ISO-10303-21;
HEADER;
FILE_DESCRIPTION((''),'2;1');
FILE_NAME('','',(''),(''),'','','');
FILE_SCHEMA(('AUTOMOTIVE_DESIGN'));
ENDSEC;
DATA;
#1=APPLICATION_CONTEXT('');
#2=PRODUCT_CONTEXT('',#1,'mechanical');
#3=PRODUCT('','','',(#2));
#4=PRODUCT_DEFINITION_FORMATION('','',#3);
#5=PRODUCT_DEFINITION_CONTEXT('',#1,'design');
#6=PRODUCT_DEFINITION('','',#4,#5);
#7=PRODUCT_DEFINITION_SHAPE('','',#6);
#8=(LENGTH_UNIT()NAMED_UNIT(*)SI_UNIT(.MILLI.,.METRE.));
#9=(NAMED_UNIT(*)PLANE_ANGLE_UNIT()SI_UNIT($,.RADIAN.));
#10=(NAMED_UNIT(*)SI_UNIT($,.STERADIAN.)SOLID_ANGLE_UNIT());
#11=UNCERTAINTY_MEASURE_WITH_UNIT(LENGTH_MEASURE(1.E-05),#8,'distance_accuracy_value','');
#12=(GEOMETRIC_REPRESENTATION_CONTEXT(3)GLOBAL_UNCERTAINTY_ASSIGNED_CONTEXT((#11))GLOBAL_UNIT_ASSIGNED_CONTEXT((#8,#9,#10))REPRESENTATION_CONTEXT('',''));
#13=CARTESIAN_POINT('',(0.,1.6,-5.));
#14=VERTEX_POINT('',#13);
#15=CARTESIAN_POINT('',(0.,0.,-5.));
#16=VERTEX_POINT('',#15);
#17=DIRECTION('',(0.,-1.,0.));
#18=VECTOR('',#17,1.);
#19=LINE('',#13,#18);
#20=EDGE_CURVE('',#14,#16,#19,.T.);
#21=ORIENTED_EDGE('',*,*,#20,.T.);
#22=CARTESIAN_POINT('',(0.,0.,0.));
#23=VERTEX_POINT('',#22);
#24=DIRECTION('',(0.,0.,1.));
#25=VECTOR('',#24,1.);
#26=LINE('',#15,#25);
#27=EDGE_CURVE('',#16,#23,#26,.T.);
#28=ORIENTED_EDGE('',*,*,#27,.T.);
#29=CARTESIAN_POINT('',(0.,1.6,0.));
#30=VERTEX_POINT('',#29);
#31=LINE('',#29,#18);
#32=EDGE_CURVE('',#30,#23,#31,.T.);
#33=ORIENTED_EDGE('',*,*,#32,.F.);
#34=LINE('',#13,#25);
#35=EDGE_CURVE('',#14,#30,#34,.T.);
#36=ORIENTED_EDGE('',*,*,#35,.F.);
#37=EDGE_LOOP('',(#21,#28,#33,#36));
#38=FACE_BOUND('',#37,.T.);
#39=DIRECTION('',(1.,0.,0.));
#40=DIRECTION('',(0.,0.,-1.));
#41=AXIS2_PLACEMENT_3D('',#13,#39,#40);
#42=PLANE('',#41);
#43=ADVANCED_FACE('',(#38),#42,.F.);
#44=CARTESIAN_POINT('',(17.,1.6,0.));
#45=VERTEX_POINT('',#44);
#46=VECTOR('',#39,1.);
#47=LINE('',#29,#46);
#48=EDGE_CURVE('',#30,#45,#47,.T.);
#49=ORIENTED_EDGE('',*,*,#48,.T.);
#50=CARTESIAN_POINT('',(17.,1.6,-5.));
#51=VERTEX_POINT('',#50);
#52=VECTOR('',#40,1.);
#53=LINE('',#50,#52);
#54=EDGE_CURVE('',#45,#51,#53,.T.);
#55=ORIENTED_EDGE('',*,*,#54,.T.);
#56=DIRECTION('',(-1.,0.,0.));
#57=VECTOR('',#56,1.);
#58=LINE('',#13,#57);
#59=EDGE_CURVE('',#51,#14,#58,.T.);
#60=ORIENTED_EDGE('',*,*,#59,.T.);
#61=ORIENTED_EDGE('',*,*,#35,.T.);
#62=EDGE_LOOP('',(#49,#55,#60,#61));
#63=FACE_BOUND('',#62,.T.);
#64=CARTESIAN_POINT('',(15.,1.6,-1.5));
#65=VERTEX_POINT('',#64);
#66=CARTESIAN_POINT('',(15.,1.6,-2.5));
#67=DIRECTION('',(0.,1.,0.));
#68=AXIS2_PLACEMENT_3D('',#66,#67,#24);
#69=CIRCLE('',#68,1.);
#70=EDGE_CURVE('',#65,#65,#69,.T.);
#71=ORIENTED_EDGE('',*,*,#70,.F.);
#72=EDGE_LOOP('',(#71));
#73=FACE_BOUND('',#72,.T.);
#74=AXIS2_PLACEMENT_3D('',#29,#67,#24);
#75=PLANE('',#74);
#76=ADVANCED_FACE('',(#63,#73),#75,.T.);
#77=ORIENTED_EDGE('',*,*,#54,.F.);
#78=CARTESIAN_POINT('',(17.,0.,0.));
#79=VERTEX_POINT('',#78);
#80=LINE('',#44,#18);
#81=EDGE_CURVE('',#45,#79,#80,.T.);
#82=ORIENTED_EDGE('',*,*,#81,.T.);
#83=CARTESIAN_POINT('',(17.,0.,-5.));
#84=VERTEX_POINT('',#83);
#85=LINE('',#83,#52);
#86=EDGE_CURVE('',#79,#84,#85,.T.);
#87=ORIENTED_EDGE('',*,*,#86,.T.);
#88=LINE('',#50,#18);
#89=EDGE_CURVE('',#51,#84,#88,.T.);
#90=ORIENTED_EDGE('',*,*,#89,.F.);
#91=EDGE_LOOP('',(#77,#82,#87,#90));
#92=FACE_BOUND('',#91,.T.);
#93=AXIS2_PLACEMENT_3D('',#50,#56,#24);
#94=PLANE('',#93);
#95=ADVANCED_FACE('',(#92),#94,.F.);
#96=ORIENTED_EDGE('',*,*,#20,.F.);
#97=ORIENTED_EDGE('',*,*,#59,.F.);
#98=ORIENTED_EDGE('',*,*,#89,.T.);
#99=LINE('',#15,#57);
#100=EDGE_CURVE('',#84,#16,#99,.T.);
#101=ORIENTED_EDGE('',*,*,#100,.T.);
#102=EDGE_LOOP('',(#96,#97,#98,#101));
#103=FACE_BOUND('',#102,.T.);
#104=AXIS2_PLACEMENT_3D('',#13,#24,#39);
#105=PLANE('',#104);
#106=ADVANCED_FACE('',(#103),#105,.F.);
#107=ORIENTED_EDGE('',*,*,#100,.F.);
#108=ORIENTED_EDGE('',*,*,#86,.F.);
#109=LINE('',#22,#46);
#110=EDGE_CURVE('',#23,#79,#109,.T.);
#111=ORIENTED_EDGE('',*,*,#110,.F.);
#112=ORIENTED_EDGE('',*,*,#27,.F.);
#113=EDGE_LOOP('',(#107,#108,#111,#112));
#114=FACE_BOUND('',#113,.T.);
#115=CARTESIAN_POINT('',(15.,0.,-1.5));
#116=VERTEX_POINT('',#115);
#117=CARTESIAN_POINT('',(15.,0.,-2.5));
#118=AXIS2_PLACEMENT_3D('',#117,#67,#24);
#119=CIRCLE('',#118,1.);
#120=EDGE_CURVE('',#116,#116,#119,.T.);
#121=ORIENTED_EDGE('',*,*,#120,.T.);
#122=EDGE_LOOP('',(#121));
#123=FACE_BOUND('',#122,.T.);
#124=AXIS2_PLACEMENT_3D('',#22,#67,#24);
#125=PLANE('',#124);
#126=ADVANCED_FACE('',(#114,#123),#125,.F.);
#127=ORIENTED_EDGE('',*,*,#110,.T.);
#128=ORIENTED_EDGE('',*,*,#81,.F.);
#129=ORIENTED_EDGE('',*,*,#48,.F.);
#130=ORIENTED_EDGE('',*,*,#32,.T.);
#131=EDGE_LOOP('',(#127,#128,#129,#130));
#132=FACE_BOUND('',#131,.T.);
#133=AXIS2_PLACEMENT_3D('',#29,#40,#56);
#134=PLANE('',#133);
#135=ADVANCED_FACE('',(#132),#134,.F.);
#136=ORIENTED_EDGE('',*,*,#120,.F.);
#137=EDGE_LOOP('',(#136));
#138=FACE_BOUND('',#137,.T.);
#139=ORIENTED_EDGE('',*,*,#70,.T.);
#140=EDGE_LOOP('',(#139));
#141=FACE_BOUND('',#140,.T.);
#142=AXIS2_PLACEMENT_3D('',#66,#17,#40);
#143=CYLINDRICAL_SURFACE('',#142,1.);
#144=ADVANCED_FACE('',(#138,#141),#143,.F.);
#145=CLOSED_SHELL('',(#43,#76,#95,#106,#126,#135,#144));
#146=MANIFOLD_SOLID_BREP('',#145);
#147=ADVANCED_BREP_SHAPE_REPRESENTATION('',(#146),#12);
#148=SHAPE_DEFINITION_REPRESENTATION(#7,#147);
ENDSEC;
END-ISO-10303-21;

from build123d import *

# Parameters (mm, degrees)
ESQUISSE1_W        = 17
ESQUISSE1_H        = 5
ESQUISSE1_R        = 1
BOSS_EXTRU_1_DEPTH = 1.6


with BuildPart() as part:
    # Esquisse1 → Boss.-Extru.1 (new body)
    with BuildSketch(Plane(origin=(0, 0, 0), x_dir=(1, 0, 0), z_dir=(0, 1, 0))):
        with Locations((8.5, 2.5)):
            Rectangle(ESQUISSE1_W, ESQUISSE1_H)
        with Locations(Location((15, 2.5, 0), (0, 0, 270))):
            Circle(ESQUISSE1_R, mode=Mode.SUBTRACT)
    extrude(amount=BOSS_EXTRU_1_DEPTH)


solid = part.part
